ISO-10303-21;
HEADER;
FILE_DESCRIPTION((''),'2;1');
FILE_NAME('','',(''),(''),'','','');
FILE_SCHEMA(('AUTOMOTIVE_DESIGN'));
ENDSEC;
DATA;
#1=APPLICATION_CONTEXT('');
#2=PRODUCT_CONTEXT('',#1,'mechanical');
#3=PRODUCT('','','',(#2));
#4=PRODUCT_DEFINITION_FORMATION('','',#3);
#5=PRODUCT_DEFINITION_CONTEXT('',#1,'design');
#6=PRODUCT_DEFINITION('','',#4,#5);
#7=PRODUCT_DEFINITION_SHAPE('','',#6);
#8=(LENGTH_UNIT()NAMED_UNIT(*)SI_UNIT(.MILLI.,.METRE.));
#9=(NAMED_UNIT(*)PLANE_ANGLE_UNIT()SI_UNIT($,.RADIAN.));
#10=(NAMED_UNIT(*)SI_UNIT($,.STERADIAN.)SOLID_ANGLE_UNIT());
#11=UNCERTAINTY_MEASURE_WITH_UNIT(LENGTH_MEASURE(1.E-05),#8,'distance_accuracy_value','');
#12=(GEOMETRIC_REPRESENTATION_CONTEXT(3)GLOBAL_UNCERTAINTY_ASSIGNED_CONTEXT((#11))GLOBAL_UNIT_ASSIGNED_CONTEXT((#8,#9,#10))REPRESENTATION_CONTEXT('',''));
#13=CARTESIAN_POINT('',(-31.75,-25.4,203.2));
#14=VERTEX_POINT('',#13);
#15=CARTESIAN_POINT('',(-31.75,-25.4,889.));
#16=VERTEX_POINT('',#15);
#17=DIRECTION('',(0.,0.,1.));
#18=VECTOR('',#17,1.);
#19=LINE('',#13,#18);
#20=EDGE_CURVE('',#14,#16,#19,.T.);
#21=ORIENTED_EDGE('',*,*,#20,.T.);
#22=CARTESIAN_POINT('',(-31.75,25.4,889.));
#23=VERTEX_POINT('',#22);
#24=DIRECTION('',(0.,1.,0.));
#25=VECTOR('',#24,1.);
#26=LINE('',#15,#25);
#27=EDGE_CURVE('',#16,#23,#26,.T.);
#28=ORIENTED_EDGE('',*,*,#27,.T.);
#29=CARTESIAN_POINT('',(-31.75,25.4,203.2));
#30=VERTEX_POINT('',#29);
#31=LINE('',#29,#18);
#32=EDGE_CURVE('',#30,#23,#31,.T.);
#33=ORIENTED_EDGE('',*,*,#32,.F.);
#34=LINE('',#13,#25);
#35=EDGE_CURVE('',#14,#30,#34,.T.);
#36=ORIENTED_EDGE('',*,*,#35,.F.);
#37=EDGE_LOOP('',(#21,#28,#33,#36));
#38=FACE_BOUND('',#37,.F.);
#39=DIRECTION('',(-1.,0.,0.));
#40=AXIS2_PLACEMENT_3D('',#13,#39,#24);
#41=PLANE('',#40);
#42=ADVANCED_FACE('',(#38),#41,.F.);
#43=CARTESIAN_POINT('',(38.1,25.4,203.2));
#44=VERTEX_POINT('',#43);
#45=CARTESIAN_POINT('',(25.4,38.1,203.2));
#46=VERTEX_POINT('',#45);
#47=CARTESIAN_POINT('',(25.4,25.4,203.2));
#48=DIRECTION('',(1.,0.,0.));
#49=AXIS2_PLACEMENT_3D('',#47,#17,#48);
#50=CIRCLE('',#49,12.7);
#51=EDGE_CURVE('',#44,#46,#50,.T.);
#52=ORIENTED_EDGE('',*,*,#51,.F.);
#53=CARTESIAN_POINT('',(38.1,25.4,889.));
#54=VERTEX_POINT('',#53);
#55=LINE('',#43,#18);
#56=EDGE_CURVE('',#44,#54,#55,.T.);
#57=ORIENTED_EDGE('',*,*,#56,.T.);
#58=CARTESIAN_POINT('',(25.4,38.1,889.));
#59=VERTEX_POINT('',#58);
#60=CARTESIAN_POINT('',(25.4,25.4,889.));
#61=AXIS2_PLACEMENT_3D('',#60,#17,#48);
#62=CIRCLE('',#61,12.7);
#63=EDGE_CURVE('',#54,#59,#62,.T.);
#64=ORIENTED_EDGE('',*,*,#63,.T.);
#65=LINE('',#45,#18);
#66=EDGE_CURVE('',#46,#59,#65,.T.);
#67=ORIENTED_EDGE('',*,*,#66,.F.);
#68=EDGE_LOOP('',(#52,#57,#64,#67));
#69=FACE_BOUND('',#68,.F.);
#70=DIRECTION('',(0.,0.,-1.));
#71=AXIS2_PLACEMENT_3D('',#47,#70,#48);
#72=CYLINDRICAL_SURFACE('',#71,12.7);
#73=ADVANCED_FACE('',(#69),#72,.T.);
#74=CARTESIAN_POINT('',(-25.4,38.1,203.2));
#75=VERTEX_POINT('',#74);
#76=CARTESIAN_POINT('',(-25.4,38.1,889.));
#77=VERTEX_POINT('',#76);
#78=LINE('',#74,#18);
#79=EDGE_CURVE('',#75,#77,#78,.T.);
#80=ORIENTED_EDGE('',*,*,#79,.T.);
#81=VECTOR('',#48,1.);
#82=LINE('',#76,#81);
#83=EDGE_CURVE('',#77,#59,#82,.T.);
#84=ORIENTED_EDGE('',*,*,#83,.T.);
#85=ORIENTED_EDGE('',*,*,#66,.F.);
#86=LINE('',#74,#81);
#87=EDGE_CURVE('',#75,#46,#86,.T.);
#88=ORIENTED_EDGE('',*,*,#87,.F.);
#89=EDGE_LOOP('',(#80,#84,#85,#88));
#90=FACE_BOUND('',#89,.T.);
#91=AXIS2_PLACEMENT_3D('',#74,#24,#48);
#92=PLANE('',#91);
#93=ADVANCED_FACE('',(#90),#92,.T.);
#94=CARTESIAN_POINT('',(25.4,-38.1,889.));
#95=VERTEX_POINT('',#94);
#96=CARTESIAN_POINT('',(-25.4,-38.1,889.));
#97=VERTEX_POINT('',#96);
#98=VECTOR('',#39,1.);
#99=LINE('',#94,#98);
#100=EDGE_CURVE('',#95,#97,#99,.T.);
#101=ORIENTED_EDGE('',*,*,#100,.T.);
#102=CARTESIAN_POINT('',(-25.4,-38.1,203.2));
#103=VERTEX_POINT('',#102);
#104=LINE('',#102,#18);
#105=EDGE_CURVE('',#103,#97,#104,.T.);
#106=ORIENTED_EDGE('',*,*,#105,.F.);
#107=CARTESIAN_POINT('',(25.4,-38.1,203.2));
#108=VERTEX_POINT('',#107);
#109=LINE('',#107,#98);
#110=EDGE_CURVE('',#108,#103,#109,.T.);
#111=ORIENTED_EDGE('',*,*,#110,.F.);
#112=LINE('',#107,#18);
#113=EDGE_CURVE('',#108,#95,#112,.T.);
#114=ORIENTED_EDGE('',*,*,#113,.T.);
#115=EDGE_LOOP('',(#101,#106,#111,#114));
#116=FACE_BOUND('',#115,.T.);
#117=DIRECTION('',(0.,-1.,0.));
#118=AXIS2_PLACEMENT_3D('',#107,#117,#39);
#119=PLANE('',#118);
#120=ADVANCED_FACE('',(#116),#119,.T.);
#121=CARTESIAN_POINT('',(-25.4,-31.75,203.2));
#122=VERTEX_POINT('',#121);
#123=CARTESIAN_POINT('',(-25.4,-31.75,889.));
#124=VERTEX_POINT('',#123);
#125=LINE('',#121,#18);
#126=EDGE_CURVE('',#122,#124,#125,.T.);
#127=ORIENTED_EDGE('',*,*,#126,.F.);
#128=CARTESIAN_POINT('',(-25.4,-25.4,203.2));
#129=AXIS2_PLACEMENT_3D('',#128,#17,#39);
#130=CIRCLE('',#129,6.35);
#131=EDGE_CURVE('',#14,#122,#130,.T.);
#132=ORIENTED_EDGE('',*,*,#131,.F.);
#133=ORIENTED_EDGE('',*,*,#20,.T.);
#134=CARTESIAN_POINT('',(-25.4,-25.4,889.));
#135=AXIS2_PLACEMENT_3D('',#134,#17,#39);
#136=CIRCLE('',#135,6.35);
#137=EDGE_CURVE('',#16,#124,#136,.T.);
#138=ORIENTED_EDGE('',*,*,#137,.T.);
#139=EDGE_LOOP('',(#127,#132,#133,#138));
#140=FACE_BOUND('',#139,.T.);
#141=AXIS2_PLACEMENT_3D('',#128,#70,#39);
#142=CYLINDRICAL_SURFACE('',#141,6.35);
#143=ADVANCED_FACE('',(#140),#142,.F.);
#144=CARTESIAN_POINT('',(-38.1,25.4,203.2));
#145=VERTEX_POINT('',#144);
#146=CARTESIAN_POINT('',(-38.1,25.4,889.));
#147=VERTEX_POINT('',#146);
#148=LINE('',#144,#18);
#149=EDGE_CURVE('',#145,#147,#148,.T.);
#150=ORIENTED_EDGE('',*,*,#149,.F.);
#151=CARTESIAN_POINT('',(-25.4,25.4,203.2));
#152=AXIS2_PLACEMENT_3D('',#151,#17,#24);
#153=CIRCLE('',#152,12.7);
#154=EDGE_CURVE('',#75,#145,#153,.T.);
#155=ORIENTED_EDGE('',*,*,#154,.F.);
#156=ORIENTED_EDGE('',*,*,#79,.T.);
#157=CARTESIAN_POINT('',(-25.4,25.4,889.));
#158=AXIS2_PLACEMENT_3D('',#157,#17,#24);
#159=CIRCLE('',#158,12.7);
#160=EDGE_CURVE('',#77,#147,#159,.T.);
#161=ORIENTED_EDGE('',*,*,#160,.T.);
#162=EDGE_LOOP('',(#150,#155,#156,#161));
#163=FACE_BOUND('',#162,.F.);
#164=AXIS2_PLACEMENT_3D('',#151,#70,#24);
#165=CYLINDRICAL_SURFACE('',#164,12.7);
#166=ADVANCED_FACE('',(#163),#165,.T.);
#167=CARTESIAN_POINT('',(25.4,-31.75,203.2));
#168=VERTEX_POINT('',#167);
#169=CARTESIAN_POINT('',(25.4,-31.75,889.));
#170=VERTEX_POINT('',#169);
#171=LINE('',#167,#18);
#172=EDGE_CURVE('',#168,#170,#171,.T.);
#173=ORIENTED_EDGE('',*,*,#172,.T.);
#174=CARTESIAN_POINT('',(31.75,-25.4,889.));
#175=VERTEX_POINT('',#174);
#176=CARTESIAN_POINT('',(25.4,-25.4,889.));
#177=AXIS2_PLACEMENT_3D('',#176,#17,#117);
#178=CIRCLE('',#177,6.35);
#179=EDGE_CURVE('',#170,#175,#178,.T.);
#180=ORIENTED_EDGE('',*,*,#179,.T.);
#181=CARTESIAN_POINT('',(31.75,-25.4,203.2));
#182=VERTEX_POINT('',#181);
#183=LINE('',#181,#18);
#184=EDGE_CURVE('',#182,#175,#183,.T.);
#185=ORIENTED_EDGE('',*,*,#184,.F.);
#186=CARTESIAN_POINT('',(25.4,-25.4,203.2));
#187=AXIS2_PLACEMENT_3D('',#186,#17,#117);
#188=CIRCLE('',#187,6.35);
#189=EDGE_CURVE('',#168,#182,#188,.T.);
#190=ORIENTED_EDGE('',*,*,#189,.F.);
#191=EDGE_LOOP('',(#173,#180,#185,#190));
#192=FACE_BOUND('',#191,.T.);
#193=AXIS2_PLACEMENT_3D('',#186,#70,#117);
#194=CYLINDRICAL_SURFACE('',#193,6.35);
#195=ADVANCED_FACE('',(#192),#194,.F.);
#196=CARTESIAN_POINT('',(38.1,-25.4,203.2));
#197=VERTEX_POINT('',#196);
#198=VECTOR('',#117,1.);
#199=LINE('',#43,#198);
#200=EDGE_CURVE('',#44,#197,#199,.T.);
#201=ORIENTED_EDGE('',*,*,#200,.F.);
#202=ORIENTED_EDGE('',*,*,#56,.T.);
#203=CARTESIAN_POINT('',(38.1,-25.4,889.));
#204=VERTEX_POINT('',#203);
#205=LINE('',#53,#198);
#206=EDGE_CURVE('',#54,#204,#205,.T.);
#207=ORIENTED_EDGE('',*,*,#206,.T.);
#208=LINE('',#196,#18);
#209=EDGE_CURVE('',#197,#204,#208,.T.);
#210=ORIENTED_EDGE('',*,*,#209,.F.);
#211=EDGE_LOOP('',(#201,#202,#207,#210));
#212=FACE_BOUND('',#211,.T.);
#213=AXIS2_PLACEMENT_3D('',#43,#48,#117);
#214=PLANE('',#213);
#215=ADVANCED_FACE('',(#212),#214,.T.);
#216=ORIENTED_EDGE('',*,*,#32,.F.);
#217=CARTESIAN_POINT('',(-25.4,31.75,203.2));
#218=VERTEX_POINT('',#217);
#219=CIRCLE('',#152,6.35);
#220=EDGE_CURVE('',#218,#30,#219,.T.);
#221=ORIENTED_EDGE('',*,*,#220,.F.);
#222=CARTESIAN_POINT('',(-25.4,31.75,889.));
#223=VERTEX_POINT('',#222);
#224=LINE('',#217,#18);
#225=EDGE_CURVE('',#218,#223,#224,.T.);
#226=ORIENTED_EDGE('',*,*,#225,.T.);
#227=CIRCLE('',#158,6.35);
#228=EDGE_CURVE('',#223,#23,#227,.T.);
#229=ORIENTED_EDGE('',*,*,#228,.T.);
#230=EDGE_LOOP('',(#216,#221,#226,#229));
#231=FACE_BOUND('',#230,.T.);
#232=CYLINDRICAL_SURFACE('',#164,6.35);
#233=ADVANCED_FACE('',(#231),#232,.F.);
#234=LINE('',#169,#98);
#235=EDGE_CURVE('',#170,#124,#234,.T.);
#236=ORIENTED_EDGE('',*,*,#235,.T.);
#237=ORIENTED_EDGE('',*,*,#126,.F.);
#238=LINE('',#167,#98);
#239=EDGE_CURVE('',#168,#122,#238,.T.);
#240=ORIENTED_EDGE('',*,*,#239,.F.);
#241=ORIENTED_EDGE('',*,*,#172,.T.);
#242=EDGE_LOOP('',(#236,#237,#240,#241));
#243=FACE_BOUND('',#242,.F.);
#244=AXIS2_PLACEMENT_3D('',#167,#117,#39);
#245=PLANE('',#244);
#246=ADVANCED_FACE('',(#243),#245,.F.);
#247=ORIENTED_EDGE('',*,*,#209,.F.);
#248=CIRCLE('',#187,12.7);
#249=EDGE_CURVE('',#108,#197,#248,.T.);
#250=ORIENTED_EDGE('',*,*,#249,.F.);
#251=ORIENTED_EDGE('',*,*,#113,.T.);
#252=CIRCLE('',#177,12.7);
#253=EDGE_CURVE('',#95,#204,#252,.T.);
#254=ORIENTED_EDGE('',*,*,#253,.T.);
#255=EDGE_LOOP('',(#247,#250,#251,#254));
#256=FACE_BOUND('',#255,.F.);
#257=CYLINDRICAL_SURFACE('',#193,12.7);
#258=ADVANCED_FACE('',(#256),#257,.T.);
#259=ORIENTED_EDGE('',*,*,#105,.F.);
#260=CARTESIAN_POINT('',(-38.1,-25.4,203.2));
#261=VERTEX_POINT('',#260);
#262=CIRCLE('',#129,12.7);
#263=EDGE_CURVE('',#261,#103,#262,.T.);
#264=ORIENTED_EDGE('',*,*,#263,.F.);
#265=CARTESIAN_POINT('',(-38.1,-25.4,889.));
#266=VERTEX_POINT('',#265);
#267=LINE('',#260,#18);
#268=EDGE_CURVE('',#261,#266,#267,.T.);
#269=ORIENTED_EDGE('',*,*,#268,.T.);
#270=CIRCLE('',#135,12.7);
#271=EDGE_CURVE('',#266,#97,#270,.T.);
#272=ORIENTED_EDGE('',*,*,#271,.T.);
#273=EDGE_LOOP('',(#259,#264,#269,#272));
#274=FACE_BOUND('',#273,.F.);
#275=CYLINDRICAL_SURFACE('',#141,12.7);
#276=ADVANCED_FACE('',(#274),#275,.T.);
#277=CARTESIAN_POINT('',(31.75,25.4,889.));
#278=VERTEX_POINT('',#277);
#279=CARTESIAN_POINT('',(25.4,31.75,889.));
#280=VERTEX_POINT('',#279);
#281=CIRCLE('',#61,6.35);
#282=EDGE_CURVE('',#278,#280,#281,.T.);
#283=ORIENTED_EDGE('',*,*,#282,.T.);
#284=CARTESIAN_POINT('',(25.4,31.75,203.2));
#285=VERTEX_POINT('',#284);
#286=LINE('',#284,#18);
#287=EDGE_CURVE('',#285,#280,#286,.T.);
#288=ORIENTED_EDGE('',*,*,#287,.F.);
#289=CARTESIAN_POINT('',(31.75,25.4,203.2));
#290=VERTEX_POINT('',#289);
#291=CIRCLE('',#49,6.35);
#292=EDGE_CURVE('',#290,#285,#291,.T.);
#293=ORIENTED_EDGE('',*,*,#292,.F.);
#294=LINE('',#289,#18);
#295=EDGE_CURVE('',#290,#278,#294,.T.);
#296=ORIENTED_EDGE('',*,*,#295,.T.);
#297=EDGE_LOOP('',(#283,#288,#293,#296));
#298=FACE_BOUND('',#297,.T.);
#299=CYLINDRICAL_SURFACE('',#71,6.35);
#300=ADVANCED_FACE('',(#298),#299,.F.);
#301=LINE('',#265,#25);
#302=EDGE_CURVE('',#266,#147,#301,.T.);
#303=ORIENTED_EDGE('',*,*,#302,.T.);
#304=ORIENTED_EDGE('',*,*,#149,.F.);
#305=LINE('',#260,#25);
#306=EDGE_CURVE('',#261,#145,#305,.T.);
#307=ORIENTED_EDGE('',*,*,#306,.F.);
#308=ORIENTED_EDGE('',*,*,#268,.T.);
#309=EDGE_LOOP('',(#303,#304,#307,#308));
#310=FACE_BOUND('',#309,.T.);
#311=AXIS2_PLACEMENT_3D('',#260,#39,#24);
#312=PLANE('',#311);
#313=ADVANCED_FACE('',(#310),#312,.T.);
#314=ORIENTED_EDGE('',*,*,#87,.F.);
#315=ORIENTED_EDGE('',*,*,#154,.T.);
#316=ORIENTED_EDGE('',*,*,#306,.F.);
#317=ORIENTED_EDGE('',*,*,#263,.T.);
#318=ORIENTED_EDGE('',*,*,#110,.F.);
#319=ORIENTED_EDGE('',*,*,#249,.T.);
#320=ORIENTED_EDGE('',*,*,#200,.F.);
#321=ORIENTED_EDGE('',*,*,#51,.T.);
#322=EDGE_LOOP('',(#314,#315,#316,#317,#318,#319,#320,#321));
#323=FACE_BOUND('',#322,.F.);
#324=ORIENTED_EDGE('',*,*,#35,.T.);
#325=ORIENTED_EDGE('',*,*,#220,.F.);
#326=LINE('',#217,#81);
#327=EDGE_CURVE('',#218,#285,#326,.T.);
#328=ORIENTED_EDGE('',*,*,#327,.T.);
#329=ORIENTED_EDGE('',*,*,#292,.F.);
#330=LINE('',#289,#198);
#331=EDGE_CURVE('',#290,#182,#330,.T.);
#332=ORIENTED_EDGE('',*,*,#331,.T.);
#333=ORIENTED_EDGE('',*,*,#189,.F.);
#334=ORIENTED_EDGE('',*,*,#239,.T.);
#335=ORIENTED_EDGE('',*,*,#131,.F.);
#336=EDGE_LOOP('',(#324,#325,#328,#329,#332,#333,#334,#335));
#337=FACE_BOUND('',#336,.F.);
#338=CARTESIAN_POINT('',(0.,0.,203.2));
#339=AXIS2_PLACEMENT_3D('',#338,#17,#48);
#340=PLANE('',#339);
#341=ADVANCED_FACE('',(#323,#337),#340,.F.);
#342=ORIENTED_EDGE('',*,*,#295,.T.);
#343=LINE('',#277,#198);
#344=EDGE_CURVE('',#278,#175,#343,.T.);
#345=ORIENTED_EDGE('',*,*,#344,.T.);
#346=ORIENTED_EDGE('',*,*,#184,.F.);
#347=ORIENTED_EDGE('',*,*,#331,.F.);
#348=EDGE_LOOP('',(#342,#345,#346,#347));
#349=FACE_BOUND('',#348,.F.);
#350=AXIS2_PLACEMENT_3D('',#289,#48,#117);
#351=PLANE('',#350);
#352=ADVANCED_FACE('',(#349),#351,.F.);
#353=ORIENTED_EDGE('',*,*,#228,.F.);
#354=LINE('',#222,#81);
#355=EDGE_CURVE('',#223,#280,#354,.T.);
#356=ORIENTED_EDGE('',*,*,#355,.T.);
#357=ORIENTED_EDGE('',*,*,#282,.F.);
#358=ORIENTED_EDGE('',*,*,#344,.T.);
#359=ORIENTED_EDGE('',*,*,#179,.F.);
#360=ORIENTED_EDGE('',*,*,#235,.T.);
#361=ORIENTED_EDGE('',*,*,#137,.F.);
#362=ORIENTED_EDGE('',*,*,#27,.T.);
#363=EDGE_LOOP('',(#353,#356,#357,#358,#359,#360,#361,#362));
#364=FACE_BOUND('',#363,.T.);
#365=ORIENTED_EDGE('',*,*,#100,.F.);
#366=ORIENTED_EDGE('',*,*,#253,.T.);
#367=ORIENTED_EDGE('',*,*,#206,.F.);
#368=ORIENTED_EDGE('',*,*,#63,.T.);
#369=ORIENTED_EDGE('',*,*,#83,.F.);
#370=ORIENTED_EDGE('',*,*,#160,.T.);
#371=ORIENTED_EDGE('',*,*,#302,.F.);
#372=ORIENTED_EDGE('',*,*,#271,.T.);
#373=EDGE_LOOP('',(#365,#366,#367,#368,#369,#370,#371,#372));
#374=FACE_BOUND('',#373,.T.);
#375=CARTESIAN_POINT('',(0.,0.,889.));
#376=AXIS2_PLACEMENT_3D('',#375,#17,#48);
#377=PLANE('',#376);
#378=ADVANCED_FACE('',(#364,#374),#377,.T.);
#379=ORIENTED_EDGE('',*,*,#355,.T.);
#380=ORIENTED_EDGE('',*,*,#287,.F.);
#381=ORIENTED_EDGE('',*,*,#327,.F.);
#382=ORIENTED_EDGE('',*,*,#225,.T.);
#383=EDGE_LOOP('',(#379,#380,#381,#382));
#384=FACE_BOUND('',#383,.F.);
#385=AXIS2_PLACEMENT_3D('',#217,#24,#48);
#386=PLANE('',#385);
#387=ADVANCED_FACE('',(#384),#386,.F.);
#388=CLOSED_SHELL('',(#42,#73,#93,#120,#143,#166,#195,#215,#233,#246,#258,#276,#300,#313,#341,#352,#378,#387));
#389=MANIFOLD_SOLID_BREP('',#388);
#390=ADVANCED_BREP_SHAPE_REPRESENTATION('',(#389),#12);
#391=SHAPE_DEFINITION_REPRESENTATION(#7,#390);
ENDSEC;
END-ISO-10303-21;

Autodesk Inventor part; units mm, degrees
ref_plane "Start plane" through (0, 0, 203.2) normal (0, 0, 1) x (1, 0, 0)
ref_plane "End plane" through (0, 0, 889) normal (0, 0, 1) x (1, 0, 0)
sketch "Sketch" plane through (0, 0, 0) normal (0, 0, 1) x (1, 0, 0)
  line L0 (-38.1, -25.4) -> (-38.1, 25.4)
  line L1 (-25.4, 38.1) -> (25.4, 38.1)
  line L2 (38.1, 25.4) -> (38.1, -25.4)
  line L3 (25.4, -38.1) -> (-25.4, -38.1)
  arc A0 (-38.1, -25.4) -> (-25.4, -38.1) centre (-25.4, -25.4) ccw
  arc A1 (-25.4, 38.1) -> (-38.1, 25.4) centre (-25.4, 25.4) ccw
  arc A2 (38.1, 25.4) -> (25.4, 38.1) centre (25.4, 25.4) ccw
  arc A3 (25.4, -38.1) -> (38.1, -25.4) centre (25.4, -25.4) ccw
  arc A4 (-25.4, 31.75) -> (-31.75, 25.4) centre (-25.4, 25.4) ccw
  line L4 (-25.4, 31.75) -> (25.4, 31.75)
  arc A5 (31.75, 25.4) -> (25.4, 31.75) centre (25.4, 25.4) ccw
  line L5 (31.75, 25.4) -> (31.75, -25.4)
  arc A6 (25.4, -31.75) -> (31.75, -25.4) centre (25.4, -25.4) ccw
  line L6 (25.4, -31.75) -> (-25.4, -31.75)
  arc A7 (-31.75, -25.4) -> (-25.4, -31.75) centre (-25.4, -25.4) ccw
  line L7 (-31.75, -25.4) -> (-31.75, 25.4)
  line L8 (0, 57.0224) -> (0, -57.0224) construction
  line L9 (-57.0224, 0) -> (57.0224, 0) construction
  dimension "d10" = 76.2
  dimension "d11" = 76.2
  dimension "d12" = 6.35
  dimension "d15" = 38.1
  dimension "d16" = 38.1
  dimension "d17" = 12.7
extrude "Body" add sketch "Sketch" along normal up to surface (685.8 mm away) from surface at 203.2
sketch "Sketch3" plane through (0, 0, 0) normal (0, 0, 1) x (1, 0, 0)
  line L0 (0, 0) -> (10, 0)
ref_plane "Work Plane3" through (0, 0, 0) normal (0, -1, 0) x (1, 0, 0)
sketch "Sketch4" plane through (0, 0, 0) normal (0, -1, 0) x (1, 0, 0)
  line L0 (-2, 203.2) -> (12, 203.2)
  line L1 (-2, 889) -> (12, 889)
  dimension "d19" = 685.8
ref_plane "Work Plane4" through (-304.8, 25.4, 889) normal (0, 0, 1) x (1, 0, 0)
split "Split1" plane through (-304.8, 25.4, 889) removes the side toward (0, 0, 1)
ref_plane "Work Plane5" through (-304.8, -25.4, 203.2) normal (0, 0, -1) x (-1, 0, 0)
split "Split2" plane through (-304.8, -25.4, 203.2) removes the side toward (0, 0, -1)
equation "\"d10\" = G_H"
equation "\"d11\" = G_W"
equation "\"d12\" = G_T"
equation "\"d15\" = 0.5 * d10"
equation "\"d16\" = 0.5 * d11"
equation "\"d17\" = G_IR"
equation "\"d3\" = G_L"
equation "\"G_W\" = 76.2"
equation "\"G_H\" = 76.2"
equation "\"G_T\" = 6.35"
equation "\"G_IR\" = 12.7"
equation "\"G_L\" = d19"
equation "\"G_OFFSET_START\" = -203.2"
equation "\"G_OFFSET_END\" = -203.2"
equation "\"d13\" = -G_OFFSET_START"
equation "\"d14\" = G_OFFSET_END + B_L"
equation "\"B_L\" = 1092.2"
properties part number "AISC - 3x3x1/4 - 27" material "Steel, Mild"
